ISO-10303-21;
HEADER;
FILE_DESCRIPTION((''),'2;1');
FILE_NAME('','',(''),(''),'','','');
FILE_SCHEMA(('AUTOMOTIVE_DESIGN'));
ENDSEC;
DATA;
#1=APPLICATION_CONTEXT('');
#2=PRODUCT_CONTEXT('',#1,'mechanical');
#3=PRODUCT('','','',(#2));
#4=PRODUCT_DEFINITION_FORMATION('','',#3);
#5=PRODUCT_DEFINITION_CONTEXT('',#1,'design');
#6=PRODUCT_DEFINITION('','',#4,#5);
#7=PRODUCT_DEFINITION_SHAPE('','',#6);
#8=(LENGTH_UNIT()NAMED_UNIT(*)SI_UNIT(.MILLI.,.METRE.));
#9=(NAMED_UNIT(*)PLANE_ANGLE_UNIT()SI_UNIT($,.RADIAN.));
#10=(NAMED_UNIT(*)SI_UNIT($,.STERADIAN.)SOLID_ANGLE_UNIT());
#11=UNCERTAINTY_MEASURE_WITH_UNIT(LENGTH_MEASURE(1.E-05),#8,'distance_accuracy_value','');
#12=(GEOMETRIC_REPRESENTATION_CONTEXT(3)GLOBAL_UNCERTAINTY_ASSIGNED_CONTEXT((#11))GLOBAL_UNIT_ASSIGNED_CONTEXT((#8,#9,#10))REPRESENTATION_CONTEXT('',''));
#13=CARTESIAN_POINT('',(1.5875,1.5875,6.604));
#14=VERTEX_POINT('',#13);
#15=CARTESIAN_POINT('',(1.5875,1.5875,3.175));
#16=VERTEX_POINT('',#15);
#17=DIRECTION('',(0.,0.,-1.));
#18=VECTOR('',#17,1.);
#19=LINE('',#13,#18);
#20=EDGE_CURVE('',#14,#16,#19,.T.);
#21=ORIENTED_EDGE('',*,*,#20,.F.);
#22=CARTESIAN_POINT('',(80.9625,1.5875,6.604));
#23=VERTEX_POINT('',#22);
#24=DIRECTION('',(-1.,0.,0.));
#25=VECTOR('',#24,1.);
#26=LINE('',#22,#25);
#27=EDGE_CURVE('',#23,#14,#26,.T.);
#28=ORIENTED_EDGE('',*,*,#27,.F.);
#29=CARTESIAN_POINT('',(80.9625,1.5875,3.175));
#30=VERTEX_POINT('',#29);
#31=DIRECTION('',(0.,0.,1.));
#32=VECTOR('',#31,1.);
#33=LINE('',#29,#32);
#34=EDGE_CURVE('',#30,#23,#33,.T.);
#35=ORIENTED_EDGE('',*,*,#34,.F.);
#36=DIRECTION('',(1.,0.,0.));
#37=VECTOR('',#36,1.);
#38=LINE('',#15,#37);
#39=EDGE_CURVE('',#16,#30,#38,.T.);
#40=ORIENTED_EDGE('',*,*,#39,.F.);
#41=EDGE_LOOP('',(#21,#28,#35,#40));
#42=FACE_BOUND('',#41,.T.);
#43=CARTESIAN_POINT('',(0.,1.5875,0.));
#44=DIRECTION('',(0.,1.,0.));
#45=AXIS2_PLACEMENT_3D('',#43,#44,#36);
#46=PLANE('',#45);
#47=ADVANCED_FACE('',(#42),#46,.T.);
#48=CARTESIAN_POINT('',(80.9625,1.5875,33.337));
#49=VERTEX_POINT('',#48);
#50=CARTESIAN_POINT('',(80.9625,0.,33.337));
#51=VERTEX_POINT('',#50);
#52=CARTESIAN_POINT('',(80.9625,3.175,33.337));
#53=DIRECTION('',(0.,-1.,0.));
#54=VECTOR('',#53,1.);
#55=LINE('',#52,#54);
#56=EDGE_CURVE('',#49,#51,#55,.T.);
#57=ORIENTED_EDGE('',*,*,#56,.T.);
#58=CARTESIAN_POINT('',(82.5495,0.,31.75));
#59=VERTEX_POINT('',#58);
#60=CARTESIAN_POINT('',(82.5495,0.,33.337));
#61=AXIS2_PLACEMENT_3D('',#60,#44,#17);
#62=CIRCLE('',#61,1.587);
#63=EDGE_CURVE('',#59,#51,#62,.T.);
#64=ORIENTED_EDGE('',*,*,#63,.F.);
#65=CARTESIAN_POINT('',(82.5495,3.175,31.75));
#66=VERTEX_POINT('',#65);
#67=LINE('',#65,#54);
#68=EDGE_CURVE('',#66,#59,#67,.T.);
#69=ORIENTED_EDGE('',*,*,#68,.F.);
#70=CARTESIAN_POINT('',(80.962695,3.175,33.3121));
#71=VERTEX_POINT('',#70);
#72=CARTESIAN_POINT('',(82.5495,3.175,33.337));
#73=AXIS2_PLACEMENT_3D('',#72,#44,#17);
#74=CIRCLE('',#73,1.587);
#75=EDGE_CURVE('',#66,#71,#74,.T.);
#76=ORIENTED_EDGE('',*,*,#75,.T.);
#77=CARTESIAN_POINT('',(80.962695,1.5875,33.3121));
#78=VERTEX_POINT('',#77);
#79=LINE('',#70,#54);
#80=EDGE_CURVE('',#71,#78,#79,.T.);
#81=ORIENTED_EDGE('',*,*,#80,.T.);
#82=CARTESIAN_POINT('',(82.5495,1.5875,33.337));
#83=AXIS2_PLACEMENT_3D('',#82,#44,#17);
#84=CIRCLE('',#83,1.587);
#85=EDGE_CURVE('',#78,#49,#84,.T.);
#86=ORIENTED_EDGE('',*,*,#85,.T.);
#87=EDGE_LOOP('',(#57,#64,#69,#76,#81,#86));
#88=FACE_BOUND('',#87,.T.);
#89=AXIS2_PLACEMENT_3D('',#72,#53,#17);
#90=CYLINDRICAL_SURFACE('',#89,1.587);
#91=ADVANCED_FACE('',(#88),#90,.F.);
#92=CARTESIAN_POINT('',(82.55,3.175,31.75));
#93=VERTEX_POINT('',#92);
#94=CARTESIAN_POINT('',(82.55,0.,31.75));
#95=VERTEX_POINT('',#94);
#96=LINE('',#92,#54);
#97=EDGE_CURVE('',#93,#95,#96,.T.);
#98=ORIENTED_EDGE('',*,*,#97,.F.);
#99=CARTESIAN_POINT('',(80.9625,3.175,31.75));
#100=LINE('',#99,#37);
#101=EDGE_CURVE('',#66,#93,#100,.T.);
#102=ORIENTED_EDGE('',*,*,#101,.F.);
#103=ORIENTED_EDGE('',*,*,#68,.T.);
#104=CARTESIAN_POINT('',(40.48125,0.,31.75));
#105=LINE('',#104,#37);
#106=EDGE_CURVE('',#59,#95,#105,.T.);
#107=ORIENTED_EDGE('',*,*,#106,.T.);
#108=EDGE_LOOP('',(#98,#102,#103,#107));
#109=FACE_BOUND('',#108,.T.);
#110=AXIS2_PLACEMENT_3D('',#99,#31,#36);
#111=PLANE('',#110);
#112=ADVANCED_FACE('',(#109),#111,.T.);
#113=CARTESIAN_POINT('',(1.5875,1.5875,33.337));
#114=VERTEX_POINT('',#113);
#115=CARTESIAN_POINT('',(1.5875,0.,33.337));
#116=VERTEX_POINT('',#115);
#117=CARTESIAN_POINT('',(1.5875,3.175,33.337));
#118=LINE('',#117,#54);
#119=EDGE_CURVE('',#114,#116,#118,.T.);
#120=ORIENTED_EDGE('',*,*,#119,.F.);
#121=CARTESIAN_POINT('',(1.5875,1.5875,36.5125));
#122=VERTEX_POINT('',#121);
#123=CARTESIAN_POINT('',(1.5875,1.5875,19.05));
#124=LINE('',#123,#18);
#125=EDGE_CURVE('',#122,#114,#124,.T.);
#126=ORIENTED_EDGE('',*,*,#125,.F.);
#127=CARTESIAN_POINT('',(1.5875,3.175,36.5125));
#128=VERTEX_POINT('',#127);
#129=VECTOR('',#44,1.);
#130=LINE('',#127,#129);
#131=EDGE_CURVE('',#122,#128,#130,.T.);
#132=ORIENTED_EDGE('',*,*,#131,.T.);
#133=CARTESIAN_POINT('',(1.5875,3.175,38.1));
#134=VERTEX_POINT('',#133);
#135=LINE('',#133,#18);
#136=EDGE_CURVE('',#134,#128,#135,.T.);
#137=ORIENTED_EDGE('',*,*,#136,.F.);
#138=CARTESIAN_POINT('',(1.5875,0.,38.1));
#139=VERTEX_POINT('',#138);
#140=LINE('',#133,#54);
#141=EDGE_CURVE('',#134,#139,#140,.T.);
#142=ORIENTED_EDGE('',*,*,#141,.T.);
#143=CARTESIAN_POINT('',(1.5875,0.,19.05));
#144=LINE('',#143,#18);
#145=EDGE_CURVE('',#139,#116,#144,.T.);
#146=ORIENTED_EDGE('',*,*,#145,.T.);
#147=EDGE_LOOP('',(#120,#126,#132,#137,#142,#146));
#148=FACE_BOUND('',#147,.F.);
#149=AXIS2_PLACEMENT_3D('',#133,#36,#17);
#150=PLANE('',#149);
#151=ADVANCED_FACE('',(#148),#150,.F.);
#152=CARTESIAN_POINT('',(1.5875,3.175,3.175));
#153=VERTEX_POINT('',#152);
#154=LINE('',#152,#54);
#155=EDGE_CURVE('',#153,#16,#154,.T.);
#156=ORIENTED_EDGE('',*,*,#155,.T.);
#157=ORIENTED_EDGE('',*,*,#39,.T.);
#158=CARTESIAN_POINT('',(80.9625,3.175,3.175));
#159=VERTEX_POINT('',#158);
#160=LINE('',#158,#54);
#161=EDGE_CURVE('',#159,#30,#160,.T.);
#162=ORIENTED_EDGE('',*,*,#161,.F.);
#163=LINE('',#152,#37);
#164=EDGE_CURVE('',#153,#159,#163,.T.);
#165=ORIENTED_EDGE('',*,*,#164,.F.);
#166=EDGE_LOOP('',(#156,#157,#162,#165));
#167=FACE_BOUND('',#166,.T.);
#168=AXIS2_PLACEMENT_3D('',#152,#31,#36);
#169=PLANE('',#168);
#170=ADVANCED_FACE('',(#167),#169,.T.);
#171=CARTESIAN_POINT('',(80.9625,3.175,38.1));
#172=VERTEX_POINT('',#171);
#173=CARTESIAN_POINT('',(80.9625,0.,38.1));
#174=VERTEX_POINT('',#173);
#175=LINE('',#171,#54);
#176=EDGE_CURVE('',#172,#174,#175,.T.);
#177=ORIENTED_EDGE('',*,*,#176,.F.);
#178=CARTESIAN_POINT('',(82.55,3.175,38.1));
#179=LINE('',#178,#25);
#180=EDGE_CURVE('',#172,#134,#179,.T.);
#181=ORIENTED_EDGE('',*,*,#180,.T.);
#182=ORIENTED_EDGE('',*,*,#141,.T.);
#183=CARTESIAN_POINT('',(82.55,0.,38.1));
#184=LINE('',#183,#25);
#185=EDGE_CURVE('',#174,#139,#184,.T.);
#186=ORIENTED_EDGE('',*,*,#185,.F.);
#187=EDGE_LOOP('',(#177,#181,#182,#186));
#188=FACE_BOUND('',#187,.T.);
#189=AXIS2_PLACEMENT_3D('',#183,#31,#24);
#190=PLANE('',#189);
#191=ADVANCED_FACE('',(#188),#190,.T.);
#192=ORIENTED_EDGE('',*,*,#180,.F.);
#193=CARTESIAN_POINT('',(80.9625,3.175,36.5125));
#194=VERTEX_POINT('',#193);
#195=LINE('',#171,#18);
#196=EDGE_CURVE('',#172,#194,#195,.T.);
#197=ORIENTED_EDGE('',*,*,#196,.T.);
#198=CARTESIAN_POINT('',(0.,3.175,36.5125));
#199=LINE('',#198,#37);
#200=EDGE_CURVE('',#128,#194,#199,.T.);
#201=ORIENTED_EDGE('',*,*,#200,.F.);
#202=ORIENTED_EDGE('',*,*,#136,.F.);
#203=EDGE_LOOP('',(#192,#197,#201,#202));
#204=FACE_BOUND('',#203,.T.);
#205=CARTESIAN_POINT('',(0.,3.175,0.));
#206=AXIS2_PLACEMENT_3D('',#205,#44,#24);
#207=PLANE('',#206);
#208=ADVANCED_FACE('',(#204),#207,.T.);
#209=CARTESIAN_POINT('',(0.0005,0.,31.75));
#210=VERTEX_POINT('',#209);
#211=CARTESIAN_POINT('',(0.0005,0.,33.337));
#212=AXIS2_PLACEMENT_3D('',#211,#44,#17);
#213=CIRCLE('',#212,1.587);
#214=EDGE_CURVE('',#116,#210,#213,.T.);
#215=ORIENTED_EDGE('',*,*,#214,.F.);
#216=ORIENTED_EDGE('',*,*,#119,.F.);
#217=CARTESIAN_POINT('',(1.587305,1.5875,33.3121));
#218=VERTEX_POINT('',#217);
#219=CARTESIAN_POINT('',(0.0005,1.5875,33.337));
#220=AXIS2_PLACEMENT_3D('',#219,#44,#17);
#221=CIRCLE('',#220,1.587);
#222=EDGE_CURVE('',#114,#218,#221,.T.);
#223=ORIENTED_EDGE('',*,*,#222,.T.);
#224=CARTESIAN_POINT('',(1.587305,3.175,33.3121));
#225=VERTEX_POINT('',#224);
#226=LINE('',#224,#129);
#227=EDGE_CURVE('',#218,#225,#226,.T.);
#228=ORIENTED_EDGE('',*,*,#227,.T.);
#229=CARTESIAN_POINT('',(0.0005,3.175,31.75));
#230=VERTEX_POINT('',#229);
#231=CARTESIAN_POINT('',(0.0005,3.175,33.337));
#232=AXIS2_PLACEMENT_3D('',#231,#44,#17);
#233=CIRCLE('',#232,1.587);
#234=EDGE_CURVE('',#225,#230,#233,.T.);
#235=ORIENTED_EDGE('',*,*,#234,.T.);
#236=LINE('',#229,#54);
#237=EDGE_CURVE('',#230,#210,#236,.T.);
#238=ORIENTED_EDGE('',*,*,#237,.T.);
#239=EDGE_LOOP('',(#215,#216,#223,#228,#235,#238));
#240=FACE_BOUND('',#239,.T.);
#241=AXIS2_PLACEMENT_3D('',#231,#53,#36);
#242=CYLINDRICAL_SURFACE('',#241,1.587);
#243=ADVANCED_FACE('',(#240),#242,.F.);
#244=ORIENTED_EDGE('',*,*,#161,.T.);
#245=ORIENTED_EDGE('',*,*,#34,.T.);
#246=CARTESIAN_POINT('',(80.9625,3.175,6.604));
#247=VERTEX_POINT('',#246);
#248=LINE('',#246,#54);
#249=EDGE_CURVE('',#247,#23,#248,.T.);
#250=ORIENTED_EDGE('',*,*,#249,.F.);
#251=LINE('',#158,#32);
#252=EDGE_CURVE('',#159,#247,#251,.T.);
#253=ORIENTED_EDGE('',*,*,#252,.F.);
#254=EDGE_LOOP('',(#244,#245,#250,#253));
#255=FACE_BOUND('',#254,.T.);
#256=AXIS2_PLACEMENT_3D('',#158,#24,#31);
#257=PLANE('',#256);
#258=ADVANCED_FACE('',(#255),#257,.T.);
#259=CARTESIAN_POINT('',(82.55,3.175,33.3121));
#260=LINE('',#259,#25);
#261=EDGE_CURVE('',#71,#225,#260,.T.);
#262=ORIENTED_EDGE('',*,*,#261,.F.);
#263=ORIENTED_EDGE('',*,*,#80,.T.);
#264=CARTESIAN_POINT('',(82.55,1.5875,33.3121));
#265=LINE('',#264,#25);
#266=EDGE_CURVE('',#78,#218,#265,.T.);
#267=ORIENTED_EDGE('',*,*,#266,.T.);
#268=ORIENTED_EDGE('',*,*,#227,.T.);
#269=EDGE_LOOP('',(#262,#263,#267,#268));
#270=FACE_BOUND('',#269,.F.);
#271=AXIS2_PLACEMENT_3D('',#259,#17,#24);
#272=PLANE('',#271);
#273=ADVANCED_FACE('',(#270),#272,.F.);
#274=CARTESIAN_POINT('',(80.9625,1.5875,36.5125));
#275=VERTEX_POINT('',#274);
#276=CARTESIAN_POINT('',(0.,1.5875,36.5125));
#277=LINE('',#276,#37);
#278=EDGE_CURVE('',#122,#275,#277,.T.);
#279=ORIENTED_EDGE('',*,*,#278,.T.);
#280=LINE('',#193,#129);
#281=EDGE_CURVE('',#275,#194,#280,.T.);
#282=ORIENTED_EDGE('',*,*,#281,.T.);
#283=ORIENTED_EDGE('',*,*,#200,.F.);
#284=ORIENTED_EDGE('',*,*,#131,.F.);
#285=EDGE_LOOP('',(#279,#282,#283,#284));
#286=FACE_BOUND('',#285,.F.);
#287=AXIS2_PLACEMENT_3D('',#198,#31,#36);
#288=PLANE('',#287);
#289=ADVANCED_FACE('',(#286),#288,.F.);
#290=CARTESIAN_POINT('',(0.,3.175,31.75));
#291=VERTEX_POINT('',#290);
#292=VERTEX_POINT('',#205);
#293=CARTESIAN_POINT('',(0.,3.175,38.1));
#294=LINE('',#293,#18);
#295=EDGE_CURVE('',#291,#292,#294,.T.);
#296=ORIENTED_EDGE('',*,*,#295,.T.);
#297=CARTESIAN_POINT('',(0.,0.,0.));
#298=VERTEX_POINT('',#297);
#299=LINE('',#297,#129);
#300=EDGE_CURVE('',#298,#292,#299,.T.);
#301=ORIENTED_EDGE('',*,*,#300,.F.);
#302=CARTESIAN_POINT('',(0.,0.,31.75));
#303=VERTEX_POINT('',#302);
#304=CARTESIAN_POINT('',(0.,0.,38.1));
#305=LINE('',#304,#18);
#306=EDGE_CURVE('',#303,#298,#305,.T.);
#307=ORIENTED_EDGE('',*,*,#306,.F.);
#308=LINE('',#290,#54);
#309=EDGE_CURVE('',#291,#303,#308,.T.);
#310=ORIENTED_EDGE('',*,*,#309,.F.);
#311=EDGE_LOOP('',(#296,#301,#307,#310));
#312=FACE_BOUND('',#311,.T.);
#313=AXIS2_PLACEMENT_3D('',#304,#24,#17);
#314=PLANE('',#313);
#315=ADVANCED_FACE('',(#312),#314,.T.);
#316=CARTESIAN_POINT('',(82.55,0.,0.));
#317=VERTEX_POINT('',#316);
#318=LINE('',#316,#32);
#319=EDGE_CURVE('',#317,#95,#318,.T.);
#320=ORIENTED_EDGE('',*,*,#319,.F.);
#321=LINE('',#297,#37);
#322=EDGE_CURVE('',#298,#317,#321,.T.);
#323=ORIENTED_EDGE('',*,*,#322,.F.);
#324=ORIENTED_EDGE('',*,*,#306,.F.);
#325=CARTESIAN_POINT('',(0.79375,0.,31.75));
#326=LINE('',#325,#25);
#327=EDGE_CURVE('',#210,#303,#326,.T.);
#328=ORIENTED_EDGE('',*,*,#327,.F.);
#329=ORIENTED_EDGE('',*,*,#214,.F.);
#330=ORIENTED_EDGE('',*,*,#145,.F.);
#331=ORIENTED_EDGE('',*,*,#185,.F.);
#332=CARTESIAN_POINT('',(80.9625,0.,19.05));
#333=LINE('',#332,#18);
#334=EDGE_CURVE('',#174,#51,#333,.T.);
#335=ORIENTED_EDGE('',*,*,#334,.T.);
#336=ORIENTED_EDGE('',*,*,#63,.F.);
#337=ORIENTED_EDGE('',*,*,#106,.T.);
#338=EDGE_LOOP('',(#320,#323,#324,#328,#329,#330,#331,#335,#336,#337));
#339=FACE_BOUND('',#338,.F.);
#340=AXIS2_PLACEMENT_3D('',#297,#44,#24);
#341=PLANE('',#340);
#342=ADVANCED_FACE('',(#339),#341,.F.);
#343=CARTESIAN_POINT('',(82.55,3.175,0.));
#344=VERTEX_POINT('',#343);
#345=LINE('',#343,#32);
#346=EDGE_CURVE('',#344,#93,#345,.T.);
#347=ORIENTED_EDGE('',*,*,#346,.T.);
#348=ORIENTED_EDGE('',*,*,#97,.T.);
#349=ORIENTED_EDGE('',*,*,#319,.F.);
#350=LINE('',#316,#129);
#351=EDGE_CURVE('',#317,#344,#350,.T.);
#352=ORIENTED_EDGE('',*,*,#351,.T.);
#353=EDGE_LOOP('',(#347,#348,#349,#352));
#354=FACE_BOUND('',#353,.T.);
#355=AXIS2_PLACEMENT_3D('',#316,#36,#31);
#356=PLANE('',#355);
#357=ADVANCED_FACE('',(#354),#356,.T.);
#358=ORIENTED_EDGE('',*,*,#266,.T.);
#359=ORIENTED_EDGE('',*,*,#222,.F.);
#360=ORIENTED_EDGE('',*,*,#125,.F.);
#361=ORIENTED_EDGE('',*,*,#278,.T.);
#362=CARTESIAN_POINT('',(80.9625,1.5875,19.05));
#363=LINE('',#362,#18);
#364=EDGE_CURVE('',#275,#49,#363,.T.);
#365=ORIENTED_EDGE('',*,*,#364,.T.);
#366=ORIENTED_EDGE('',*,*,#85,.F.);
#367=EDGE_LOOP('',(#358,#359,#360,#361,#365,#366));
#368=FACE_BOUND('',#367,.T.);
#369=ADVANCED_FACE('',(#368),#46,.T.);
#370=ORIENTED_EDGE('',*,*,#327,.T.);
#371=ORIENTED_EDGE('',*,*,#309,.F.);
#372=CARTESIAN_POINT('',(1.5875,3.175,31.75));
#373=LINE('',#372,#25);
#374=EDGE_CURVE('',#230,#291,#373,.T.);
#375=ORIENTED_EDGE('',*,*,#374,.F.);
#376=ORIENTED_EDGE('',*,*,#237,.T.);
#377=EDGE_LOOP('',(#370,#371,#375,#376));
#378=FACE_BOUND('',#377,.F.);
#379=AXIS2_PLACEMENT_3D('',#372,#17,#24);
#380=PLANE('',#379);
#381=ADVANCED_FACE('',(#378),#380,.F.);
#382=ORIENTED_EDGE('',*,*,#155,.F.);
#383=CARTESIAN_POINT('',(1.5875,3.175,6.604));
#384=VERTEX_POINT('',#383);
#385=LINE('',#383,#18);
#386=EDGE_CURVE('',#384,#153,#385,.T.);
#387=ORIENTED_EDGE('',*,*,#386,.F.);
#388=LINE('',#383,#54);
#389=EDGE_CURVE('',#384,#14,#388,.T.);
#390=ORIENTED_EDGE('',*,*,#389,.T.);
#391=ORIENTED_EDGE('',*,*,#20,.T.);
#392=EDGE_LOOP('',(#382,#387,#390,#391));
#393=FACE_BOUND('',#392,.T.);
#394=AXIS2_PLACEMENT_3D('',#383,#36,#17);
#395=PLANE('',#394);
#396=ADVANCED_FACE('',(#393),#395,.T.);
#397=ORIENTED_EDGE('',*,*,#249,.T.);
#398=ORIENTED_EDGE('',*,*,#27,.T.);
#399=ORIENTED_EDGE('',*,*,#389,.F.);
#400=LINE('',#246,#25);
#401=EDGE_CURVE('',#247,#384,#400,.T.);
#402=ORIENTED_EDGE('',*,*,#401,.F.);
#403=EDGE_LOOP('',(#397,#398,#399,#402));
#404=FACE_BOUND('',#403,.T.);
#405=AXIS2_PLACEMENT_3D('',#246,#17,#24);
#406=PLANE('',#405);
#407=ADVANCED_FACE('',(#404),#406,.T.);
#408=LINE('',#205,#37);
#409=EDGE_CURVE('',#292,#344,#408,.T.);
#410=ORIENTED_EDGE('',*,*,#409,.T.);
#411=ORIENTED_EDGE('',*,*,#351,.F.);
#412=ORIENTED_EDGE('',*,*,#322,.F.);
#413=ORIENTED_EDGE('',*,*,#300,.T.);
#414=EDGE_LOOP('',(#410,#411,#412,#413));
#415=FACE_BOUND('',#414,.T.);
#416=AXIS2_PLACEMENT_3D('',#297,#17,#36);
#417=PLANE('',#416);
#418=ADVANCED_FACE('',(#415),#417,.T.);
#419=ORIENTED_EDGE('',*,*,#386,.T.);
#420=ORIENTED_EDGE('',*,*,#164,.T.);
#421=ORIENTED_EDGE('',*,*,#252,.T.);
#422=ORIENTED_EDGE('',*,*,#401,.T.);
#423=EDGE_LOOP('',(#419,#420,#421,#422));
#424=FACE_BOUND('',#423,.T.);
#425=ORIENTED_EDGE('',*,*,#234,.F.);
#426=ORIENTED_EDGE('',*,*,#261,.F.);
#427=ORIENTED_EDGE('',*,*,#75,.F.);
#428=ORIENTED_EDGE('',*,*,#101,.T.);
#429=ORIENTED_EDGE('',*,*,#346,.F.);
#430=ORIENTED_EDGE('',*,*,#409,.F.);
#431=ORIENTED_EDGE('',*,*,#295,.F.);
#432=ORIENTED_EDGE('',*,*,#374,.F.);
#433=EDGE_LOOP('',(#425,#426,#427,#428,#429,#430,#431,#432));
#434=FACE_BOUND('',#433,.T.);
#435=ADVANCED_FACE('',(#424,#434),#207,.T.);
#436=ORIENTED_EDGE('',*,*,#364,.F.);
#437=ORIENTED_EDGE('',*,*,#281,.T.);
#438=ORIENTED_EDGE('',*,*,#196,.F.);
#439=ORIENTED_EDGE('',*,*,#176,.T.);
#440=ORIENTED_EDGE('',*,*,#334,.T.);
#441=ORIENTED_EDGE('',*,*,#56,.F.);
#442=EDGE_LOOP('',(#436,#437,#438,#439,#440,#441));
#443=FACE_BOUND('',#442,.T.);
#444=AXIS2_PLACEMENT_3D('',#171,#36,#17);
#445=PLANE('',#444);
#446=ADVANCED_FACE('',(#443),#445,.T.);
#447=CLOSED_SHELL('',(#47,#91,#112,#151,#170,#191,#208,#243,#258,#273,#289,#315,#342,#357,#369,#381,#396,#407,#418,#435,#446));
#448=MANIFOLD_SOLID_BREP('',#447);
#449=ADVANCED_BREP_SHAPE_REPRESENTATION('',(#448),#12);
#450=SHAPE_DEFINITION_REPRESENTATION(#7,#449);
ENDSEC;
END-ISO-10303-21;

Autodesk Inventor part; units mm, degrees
ref_plane "YZ Plane" through (0, 0, 0) normal (1, 0, 0) x (0, 1, 0)
ref_plane "XZ Plane" through (0, 0, 0) normal (0, 1, 0) x (-1, 0, 0)
ref_plane "XY Plane" through (0, 0, 0) normal (0, 0, 1) x (1, 0, 0)
sketch "Sketch1" plane through (0, 0, 0) normal (0, 1, 0) x (-1, 0, 0)
  line L0 (0, 0) -> (-82.55, 0)
  line L1 (-82.55, 0) -> (-82.55, 38.1)
  line L2 (-82.55, 38.1) -> (0, 38.1)
  line L3 (0, 38.1) -> (0, 0)
  dimension "d0" = 82.55
  dimension "d1" = 38.1
extrude "Extrusion1" add sketch "Sketch1" along normal blind 3.175
sketch "Sketch2" plane through (0, 3.175, 0) normal (0, 1, 0) x (1, 0, 0)
  line L0 (82.55, 0) -> (0, 0) projected
  line L1 (0, 0) -> (0, -38.1) projected
  line L2 (0, -38.1) -> (82.55, -38.1) projected
  line L3 (82.55, -38.1) -> (82.55, 0) projected
  line L4 (0, -36.5125) -> (82.55, -36.5125)
  line L5 (82.55, -36.5125) -> (82.55, -33.3121)
  line L6 (82.55, -33.3121) -> (0, -33.3121)
  line L7 (0, -33.3121) -> (0, -36.5125)
  line L8 (1.5875, -3.175) -> (80.9625, -3.175)
  line L9 (80.9625, -3.175) -> (80.9625, -6.604)
  line L10 (80.9625, -6.604) -> (1.5875, -6.604)
  line L11 (1.5875, -6.604) -> (1.5875, -3.175)
  dimension "d6" = 3.2004
  dimension "d7" = 1.5875
  dimension "d10" = 3.175
  dimension "d11" = 3.429
  dimension "d12" = 1.5875
  dimension "d13" = 1.5875
extrude "Extrusion2" cut sketch "Sketch2" against normal blind 1.5875 contours L3 L4 L1 L6
sketch "Sketch3" plane through (0, 3.175, 0) normal (0, 1, 0) x (1, 0, 0)
  line L0 (82.55, -33.3121) -> (82.55, 0) projected
  line L1 (82.55, 0) -> (0, 0) projected
  line L2 (0, 0) -> (0, -33.3121) projected
  line L3 (1.5875, -3.175) -> (80.9625, -3.175)
  line L4 (80.9625, -3.175) -> (80.9625, -6.604)
  line L5 (80.9625, -6.604) -> (1.5875, -6.604)
  line L6 (1.5875, -6.604) -> (1.5875, -3.175)
  dimension "d14" = 1.5875
  dimension "d15" = 1.5875
  dimension "d16" = 3.175
  dimension "d17" = 3.429
extrude "Extrusion3" cut sketch "Sketch3" against normal blind 1.5875
sketch "Sketch4" plane through (0, 3.175, 0) normal (0, 1, 0) x (1, 0, 0)
  line L0 (0, -38.1) -> (1.5875, -38.1)
  line L1 (1.5875, -38.1) -> (1.5875, -31.75)
  line L2 (1.5875, -31.75) -> (0, -31.75)
  line L3 (0, -31.75) -> (0, -38.1)
  line L4 (82.55, -38.1) -> (80.9625, -38.1)
  line L5 (80.9625, -38.1) -> (80.9625, -31.75)
  line L6 (80.9625, -31.75) -> (82.55, -31.75)
  line L7 (82.55, -31.75) -> (82.55, -38.1)
  point P0 (0, 0)
  dimension "d20" = 1.5875
  dimension "d21" = 6.35
  dimension "d22" = 6.35
  dimension "d23" = 1.5875
extrude "Extrusion4" cut sketch "Sketch4" against normal blind 25.4
fillet "Fillet1" radius 1.5875 1 edges at (80.9625, 1.5875, 31.75)
fillet "Fillet2" radius 1.5875 1 edges at (1.5875, 1.5875, 31.75)
properties part number "Electronics Container Part 4"
